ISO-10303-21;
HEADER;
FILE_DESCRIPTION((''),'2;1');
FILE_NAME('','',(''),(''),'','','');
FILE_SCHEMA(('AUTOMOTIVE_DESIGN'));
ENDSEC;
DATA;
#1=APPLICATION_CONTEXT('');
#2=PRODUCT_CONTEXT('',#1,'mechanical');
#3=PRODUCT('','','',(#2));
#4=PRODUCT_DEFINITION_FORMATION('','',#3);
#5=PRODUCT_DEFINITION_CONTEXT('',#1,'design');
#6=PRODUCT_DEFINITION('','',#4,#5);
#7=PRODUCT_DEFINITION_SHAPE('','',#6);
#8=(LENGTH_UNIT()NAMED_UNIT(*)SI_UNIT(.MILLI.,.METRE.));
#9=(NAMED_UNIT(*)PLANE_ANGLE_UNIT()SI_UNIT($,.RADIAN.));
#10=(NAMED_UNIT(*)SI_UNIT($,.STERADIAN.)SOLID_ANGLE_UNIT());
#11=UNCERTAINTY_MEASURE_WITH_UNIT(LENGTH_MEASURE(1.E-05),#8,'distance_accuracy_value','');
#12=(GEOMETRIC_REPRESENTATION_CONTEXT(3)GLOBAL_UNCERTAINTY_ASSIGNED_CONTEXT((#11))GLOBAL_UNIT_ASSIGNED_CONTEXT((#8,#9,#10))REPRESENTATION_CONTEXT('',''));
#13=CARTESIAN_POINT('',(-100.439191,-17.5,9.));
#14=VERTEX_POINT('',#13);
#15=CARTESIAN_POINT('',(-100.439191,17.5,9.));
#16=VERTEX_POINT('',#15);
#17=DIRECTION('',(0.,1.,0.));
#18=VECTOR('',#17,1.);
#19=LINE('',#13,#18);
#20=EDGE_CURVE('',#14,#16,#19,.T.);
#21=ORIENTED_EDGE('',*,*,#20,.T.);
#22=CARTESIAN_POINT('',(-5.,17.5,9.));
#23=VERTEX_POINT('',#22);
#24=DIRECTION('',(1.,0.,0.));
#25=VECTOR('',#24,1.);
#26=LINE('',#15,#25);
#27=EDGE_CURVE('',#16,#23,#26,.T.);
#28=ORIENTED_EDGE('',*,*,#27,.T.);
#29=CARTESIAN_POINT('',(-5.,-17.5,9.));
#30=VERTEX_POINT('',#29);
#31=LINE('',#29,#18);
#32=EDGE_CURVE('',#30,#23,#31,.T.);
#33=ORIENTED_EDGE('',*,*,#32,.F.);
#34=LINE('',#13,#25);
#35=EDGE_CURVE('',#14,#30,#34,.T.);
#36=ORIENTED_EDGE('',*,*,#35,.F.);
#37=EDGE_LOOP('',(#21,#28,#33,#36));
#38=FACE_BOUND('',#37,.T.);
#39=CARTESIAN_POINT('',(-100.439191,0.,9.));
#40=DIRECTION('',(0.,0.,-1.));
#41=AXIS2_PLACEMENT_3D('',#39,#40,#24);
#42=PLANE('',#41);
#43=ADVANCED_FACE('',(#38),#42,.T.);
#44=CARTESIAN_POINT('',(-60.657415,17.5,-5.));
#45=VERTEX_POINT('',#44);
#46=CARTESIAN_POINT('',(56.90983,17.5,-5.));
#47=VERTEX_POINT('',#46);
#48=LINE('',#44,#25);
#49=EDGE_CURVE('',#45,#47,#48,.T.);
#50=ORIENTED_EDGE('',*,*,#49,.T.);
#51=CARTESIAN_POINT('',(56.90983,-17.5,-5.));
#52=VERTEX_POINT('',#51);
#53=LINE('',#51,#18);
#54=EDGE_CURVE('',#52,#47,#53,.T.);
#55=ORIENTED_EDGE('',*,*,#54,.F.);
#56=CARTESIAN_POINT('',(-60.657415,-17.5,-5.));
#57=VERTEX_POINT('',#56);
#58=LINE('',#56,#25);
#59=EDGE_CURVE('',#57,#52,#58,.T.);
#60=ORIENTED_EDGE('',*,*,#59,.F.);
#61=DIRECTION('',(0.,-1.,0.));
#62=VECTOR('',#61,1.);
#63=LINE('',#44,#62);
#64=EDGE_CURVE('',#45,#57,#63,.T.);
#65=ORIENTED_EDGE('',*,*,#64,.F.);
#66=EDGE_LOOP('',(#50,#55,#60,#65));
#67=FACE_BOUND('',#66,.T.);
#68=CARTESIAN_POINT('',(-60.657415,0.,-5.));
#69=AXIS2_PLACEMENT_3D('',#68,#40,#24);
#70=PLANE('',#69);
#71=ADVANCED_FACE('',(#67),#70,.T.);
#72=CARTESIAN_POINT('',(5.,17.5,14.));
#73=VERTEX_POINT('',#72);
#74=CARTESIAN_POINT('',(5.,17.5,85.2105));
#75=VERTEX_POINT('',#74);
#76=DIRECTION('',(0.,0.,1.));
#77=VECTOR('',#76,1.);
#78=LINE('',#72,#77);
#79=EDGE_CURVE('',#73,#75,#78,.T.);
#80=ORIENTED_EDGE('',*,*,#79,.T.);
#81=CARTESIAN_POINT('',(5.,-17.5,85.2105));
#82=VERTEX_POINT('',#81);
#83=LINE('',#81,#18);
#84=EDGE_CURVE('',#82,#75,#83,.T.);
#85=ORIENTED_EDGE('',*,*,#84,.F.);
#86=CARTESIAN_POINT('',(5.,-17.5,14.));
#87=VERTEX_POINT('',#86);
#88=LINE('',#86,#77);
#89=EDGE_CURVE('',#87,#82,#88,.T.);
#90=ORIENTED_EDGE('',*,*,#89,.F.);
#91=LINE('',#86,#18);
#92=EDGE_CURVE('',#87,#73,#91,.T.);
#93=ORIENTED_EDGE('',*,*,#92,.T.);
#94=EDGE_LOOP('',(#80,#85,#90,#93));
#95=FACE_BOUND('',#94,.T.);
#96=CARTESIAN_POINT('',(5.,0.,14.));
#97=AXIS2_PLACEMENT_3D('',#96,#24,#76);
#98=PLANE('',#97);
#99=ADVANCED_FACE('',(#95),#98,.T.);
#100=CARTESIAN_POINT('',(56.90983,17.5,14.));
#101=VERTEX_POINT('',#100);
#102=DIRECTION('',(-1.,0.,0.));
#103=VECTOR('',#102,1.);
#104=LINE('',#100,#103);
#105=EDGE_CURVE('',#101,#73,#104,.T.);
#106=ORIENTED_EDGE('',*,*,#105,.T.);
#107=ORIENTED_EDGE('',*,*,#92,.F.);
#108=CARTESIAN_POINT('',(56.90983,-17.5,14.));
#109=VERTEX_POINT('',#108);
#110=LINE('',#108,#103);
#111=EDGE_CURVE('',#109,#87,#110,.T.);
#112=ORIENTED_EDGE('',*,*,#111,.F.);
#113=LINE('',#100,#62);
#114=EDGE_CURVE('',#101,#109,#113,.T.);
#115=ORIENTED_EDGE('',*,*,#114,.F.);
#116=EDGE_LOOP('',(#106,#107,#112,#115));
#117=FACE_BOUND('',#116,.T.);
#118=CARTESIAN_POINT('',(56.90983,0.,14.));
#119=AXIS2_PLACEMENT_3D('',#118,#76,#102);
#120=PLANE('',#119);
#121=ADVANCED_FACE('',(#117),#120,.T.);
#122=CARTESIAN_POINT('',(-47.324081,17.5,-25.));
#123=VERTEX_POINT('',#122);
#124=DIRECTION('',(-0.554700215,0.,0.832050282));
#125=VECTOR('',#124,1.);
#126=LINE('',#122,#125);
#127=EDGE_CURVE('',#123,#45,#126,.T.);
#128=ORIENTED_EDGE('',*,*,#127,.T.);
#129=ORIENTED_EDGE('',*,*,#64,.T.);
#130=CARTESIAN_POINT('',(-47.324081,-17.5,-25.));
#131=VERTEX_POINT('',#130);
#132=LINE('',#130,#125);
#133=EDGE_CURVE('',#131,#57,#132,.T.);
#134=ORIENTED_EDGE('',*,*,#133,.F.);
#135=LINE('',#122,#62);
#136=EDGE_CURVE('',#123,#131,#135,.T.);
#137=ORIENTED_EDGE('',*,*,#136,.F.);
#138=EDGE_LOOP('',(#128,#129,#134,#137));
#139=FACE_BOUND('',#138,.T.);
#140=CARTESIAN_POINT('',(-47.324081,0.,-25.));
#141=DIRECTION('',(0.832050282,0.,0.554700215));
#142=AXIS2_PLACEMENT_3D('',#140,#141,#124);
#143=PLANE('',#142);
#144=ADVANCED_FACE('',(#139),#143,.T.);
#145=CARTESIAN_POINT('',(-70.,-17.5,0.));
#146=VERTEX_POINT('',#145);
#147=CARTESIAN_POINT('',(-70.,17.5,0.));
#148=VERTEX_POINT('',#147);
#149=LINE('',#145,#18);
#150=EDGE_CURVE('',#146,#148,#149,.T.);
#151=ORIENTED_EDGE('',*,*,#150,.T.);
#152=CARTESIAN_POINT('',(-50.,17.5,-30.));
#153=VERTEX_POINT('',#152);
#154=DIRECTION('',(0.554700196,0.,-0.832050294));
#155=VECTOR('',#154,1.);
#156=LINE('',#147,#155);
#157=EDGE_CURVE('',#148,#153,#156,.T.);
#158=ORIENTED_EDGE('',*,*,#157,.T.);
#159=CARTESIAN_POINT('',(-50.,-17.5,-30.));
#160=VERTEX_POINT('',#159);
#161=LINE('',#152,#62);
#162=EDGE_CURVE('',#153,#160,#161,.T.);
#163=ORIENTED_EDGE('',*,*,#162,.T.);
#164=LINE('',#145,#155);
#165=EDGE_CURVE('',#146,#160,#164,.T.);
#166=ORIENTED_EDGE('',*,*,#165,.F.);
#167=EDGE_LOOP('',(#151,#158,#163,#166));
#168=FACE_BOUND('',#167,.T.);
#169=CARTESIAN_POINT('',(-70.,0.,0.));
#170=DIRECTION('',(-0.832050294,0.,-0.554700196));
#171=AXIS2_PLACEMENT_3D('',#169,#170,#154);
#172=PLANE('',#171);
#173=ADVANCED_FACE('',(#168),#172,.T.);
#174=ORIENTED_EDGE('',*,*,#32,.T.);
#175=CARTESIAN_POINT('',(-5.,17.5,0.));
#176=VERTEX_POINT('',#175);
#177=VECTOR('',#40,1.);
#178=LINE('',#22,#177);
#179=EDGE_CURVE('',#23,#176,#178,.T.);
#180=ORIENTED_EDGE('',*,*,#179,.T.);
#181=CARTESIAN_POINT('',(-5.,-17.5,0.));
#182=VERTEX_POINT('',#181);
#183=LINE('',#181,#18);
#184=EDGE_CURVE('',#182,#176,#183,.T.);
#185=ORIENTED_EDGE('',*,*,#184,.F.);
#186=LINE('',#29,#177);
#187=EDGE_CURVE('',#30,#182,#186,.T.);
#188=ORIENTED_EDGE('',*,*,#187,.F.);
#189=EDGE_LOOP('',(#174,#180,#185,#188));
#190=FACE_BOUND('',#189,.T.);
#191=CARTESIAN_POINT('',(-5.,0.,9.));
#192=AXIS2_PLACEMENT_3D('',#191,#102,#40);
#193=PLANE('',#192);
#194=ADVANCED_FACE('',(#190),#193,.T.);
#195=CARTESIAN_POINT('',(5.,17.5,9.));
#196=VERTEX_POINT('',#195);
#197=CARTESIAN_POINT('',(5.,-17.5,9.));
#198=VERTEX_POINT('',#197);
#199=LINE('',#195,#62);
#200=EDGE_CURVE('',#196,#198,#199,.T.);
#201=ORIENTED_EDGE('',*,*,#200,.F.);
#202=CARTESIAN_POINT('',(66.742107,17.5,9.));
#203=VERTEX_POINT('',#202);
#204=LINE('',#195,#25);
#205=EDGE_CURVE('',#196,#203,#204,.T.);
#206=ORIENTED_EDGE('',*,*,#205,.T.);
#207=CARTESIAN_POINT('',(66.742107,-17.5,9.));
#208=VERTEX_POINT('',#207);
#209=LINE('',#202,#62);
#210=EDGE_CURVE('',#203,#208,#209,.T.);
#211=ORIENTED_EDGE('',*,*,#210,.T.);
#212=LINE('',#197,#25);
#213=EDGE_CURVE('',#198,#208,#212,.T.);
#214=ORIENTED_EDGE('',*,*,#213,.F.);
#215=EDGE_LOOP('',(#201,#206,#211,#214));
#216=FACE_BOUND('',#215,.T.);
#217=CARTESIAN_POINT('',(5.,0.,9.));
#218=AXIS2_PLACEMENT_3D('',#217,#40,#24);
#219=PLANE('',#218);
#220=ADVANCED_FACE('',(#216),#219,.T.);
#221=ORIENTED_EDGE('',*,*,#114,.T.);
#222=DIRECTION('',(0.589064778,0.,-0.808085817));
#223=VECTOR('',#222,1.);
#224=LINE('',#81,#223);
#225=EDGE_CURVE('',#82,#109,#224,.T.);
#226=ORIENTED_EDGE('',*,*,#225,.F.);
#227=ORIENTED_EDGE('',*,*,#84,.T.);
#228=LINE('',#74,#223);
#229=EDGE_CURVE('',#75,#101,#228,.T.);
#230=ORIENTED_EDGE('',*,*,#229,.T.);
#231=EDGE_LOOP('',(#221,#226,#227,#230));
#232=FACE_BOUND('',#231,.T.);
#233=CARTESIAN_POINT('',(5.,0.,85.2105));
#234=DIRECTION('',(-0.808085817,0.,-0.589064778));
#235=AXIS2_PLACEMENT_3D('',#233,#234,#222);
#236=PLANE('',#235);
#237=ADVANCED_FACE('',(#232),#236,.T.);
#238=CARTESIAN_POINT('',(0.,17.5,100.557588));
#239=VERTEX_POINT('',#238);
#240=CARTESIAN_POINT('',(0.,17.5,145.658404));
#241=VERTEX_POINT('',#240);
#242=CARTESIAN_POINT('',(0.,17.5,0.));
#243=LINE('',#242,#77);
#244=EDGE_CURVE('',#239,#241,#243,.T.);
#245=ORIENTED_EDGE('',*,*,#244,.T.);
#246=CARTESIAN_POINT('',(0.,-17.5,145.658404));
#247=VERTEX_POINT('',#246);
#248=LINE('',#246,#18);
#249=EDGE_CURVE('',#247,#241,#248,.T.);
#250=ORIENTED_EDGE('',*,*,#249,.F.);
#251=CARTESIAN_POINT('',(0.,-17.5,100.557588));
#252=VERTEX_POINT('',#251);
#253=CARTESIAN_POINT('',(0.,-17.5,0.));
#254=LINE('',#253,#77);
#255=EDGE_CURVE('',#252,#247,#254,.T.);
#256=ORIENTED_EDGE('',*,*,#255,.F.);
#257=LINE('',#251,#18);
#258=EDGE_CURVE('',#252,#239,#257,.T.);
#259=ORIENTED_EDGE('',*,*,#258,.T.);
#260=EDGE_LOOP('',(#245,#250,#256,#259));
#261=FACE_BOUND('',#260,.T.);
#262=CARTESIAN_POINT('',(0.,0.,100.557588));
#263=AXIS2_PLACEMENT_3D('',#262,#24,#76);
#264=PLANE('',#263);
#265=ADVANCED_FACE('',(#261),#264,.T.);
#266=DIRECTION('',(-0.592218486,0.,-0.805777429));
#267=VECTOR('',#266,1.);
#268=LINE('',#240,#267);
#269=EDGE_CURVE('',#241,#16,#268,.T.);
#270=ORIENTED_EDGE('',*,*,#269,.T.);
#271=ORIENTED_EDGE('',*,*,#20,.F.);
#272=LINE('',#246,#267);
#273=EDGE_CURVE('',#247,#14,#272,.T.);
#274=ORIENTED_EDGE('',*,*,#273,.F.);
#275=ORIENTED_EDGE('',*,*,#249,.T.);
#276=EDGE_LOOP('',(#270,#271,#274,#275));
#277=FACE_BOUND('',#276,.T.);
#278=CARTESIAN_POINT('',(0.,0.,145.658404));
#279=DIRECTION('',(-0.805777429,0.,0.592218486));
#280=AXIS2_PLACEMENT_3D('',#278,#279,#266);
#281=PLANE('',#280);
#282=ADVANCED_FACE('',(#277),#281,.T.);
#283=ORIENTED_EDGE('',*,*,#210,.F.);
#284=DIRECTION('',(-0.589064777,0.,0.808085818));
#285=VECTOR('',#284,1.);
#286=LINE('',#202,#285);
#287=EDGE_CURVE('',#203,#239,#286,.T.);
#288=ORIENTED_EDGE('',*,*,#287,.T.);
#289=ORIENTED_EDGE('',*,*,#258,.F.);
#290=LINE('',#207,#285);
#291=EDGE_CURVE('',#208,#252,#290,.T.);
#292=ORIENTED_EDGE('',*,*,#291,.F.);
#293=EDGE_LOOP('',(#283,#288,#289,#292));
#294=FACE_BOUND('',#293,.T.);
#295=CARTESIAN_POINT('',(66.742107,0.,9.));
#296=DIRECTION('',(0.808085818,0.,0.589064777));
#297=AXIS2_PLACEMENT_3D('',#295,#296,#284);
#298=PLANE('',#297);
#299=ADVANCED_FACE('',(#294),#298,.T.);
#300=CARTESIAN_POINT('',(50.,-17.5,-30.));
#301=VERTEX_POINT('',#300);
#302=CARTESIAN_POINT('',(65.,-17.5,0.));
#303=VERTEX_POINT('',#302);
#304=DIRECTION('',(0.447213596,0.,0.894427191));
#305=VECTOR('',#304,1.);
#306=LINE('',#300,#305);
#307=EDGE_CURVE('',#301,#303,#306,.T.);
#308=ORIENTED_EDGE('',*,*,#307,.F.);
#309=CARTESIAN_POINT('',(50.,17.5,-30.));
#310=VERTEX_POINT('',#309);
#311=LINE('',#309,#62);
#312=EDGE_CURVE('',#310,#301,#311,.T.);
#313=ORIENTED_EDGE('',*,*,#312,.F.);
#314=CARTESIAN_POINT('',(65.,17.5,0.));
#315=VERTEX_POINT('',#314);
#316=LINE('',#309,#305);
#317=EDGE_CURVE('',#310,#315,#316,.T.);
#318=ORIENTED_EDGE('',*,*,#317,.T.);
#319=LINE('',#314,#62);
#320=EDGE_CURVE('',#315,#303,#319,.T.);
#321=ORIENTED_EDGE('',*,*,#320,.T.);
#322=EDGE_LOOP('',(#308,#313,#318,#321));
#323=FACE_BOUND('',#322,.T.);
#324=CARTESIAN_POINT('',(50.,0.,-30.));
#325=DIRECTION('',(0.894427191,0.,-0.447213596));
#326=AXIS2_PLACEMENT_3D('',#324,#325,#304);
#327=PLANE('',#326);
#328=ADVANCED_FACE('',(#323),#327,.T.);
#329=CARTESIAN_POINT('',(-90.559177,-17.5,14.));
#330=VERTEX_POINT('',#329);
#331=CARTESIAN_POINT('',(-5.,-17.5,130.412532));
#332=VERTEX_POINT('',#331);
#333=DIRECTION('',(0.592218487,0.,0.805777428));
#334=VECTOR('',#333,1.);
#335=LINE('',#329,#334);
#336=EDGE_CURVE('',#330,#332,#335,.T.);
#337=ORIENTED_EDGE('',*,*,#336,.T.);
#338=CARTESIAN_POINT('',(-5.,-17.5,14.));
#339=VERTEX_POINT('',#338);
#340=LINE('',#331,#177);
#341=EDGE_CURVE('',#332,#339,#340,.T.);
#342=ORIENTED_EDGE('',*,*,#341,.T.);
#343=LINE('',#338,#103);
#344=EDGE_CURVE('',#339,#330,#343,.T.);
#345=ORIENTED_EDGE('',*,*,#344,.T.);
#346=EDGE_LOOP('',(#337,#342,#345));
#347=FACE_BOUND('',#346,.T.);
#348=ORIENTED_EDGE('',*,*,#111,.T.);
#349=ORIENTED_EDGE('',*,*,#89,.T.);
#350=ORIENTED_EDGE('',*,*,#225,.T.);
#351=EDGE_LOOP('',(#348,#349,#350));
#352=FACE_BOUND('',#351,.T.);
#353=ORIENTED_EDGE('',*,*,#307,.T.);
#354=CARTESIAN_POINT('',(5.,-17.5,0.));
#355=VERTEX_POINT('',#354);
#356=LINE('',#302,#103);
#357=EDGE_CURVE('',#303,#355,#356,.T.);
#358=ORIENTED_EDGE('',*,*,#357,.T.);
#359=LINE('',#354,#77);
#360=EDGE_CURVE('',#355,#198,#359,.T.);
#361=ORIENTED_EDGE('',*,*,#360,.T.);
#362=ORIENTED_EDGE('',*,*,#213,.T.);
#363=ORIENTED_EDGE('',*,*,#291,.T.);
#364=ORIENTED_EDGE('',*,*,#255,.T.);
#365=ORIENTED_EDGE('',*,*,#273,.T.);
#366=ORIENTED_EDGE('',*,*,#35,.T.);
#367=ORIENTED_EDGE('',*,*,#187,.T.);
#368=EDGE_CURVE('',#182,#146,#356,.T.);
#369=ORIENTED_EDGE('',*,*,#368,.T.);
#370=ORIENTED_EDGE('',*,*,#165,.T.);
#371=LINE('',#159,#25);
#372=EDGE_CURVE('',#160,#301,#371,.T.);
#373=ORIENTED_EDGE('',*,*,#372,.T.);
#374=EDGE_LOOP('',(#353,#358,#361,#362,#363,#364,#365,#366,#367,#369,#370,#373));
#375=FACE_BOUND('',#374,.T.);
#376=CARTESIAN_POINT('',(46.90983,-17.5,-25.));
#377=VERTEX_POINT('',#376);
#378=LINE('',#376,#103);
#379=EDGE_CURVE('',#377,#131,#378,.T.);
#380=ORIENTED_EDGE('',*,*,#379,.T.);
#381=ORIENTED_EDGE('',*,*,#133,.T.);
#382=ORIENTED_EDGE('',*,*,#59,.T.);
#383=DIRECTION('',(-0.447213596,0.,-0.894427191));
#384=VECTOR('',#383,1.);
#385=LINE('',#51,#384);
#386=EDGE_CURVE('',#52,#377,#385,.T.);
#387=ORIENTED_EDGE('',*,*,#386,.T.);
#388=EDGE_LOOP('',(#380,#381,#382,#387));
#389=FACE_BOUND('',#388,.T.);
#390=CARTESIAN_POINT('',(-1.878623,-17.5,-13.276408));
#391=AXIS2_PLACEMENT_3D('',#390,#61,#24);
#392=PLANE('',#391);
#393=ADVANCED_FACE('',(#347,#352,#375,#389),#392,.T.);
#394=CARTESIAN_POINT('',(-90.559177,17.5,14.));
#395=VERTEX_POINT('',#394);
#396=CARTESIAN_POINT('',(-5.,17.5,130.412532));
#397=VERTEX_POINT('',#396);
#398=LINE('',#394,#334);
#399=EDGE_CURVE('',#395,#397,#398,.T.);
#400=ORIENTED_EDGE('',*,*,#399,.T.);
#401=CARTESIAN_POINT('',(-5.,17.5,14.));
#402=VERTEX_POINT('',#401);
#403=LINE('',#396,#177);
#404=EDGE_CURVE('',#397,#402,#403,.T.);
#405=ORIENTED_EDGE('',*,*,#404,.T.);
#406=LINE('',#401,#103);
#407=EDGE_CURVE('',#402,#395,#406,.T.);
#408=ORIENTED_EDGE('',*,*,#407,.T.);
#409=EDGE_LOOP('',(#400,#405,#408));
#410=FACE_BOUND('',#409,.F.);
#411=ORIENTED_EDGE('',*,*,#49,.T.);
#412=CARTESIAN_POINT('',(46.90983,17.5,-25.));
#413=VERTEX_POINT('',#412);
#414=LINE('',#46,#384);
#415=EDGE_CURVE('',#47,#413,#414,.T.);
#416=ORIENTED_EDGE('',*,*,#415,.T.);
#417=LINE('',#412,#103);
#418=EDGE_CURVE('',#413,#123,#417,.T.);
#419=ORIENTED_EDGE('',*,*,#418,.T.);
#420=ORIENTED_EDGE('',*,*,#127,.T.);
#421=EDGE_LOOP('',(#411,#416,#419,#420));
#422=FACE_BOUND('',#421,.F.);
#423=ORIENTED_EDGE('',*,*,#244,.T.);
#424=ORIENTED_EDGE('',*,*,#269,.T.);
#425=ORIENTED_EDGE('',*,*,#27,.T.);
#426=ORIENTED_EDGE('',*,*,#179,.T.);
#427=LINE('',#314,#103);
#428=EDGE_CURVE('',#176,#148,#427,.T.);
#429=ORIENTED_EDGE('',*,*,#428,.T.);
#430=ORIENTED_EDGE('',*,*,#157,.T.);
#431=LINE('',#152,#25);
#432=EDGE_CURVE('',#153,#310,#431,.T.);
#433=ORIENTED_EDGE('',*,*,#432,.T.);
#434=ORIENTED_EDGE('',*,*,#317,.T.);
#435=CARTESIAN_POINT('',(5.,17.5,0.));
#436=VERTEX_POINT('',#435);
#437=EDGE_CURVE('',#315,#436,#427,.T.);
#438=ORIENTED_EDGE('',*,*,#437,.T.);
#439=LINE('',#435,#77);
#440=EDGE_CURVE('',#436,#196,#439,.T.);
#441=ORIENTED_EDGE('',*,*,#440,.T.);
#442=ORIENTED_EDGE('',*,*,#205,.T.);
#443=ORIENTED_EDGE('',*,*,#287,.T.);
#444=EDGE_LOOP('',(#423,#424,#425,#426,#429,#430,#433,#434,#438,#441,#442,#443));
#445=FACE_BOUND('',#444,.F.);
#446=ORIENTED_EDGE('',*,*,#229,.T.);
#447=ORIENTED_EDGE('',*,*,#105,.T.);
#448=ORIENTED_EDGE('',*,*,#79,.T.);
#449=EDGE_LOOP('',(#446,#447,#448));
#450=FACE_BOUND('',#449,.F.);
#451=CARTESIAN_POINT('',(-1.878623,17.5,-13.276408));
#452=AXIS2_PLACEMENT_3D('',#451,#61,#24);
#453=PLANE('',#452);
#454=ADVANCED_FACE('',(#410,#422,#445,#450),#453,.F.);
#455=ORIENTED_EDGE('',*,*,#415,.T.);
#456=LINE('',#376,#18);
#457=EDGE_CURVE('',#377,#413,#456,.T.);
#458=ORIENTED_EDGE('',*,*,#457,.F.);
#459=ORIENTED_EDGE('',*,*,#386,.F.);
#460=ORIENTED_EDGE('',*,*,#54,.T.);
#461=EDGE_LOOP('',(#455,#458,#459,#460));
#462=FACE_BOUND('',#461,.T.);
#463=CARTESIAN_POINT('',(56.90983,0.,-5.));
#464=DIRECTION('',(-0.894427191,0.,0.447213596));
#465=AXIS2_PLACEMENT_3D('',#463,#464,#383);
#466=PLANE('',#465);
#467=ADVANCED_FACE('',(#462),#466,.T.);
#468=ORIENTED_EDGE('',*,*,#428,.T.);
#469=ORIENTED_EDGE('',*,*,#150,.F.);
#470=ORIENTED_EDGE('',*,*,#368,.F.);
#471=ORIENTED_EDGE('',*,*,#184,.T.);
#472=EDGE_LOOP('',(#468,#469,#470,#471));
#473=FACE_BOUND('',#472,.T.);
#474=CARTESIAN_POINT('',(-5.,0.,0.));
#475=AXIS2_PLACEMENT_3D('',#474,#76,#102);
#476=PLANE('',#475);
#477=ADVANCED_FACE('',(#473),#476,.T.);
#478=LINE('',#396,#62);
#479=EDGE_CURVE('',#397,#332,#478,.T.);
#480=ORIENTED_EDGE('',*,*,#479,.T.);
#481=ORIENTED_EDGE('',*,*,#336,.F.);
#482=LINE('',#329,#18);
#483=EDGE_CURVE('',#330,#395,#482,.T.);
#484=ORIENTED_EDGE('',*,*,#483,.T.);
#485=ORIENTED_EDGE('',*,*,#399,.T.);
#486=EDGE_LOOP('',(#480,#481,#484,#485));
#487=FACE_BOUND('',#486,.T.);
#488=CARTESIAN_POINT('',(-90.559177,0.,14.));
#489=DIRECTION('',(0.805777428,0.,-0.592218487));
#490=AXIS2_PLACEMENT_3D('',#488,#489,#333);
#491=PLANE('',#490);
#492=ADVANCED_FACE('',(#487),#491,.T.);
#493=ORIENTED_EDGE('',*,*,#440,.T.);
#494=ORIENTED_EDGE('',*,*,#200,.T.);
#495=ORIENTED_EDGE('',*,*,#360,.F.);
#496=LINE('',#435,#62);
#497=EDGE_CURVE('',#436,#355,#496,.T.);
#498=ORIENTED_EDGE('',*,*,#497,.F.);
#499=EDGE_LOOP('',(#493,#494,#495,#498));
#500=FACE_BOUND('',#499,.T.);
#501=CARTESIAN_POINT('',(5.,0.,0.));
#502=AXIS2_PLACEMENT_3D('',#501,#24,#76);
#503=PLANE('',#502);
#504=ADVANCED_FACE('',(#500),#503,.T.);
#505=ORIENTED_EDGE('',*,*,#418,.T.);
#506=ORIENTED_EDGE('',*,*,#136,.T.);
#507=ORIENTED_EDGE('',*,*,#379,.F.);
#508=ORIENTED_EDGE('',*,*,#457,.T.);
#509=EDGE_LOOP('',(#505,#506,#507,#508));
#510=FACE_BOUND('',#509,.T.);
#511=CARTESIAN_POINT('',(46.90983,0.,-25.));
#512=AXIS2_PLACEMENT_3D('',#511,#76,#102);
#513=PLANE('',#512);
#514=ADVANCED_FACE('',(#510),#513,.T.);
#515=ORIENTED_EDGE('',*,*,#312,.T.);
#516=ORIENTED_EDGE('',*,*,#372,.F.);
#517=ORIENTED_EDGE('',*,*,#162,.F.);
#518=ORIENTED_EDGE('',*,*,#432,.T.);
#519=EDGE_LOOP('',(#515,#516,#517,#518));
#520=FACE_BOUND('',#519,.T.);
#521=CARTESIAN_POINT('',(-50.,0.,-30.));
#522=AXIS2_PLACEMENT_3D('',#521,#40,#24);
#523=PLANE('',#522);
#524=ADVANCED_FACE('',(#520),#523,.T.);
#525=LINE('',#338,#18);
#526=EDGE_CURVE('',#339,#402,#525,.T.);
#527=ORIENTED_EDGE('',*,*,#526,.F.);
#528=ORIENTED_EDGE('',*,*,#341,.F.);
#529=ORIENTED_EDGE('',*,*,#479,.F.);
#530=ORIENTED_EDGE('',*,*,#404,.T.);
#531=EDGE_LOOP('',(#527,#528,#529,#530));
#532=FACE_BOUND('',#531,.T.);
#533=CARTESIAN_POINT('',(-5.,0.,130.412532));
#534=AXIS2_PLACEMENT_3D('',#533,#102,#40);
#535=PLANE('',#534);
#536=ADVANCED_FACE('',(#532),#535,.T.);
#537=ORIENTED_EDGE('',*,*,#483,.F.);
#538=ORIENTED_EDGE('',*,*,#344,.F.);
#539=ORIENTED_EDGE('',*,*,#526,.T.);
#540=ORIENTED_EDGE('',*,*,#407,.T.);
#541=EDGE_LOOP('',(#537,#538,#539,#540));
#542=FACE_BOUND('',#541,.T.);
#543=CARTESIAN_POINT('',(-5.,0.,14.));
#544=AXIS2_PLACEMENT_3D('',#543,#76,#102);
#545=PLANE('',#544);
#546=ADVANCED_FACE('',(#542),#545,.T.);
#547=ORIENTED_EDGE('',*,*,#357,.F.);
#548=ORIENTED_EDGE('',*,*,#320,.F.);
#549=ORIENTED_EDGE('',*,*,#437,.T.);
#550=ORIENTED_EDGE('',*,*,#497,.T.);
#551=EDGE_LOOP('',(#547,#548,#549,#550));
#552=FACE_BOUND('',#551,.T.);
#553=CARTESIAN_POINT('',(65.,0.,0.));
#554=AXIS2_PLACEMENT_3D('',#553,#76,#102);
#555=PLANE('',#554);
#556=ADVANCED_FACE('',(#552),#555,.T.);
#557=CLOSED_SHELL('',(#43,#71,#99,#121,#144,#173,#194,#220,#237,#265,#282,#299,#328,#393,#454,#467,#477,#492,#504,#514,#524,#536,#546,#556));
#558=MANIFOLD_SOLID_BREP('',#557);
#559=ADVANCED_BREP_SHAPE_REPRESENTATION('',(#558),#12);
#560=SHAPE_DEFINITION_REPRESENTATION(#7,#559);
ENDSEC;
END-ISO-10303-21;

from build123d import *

# Parameters (mm, degrees)
F1_DEPTH = 17.5


with BuildPart() as f1:
    # F0 (on Front) → F1 (new body, symmetric)
    with BuildSketch(Plane.XZ):
        Polygon((-70, 0), (-50, -30), (50, -30), (65, 0), (5, 0), (0, 0), (-5, 0), align=None)
        Polygon((-47.324081, -25), (-60.657415, -5), (56.90983, -5), (46.90983, -25), align=None, mode=Mode.SUBTRACT)
        Polygon((-5, 9), (-5, 0), (0, 0), (0, 100.557588), (0, 145.658404), (-100.439191, 9), align=None)
        Polygon((-5, 130.412532), (-5, 14), (-90.559177, 14), align=None, mode=Mode.SUBTRACT)
        Polygon((0, 0), (5, 0), (5, 9), (66.742107, 9), (0, 100.557588), align=None)
        Polygon((56.90983, 14), (5, 14), (5, 85.2105), align=None, mode=Mode.SUBTRACT)
    extrude(amount=F1_DEPTH, both=True)


solid = f1.part
